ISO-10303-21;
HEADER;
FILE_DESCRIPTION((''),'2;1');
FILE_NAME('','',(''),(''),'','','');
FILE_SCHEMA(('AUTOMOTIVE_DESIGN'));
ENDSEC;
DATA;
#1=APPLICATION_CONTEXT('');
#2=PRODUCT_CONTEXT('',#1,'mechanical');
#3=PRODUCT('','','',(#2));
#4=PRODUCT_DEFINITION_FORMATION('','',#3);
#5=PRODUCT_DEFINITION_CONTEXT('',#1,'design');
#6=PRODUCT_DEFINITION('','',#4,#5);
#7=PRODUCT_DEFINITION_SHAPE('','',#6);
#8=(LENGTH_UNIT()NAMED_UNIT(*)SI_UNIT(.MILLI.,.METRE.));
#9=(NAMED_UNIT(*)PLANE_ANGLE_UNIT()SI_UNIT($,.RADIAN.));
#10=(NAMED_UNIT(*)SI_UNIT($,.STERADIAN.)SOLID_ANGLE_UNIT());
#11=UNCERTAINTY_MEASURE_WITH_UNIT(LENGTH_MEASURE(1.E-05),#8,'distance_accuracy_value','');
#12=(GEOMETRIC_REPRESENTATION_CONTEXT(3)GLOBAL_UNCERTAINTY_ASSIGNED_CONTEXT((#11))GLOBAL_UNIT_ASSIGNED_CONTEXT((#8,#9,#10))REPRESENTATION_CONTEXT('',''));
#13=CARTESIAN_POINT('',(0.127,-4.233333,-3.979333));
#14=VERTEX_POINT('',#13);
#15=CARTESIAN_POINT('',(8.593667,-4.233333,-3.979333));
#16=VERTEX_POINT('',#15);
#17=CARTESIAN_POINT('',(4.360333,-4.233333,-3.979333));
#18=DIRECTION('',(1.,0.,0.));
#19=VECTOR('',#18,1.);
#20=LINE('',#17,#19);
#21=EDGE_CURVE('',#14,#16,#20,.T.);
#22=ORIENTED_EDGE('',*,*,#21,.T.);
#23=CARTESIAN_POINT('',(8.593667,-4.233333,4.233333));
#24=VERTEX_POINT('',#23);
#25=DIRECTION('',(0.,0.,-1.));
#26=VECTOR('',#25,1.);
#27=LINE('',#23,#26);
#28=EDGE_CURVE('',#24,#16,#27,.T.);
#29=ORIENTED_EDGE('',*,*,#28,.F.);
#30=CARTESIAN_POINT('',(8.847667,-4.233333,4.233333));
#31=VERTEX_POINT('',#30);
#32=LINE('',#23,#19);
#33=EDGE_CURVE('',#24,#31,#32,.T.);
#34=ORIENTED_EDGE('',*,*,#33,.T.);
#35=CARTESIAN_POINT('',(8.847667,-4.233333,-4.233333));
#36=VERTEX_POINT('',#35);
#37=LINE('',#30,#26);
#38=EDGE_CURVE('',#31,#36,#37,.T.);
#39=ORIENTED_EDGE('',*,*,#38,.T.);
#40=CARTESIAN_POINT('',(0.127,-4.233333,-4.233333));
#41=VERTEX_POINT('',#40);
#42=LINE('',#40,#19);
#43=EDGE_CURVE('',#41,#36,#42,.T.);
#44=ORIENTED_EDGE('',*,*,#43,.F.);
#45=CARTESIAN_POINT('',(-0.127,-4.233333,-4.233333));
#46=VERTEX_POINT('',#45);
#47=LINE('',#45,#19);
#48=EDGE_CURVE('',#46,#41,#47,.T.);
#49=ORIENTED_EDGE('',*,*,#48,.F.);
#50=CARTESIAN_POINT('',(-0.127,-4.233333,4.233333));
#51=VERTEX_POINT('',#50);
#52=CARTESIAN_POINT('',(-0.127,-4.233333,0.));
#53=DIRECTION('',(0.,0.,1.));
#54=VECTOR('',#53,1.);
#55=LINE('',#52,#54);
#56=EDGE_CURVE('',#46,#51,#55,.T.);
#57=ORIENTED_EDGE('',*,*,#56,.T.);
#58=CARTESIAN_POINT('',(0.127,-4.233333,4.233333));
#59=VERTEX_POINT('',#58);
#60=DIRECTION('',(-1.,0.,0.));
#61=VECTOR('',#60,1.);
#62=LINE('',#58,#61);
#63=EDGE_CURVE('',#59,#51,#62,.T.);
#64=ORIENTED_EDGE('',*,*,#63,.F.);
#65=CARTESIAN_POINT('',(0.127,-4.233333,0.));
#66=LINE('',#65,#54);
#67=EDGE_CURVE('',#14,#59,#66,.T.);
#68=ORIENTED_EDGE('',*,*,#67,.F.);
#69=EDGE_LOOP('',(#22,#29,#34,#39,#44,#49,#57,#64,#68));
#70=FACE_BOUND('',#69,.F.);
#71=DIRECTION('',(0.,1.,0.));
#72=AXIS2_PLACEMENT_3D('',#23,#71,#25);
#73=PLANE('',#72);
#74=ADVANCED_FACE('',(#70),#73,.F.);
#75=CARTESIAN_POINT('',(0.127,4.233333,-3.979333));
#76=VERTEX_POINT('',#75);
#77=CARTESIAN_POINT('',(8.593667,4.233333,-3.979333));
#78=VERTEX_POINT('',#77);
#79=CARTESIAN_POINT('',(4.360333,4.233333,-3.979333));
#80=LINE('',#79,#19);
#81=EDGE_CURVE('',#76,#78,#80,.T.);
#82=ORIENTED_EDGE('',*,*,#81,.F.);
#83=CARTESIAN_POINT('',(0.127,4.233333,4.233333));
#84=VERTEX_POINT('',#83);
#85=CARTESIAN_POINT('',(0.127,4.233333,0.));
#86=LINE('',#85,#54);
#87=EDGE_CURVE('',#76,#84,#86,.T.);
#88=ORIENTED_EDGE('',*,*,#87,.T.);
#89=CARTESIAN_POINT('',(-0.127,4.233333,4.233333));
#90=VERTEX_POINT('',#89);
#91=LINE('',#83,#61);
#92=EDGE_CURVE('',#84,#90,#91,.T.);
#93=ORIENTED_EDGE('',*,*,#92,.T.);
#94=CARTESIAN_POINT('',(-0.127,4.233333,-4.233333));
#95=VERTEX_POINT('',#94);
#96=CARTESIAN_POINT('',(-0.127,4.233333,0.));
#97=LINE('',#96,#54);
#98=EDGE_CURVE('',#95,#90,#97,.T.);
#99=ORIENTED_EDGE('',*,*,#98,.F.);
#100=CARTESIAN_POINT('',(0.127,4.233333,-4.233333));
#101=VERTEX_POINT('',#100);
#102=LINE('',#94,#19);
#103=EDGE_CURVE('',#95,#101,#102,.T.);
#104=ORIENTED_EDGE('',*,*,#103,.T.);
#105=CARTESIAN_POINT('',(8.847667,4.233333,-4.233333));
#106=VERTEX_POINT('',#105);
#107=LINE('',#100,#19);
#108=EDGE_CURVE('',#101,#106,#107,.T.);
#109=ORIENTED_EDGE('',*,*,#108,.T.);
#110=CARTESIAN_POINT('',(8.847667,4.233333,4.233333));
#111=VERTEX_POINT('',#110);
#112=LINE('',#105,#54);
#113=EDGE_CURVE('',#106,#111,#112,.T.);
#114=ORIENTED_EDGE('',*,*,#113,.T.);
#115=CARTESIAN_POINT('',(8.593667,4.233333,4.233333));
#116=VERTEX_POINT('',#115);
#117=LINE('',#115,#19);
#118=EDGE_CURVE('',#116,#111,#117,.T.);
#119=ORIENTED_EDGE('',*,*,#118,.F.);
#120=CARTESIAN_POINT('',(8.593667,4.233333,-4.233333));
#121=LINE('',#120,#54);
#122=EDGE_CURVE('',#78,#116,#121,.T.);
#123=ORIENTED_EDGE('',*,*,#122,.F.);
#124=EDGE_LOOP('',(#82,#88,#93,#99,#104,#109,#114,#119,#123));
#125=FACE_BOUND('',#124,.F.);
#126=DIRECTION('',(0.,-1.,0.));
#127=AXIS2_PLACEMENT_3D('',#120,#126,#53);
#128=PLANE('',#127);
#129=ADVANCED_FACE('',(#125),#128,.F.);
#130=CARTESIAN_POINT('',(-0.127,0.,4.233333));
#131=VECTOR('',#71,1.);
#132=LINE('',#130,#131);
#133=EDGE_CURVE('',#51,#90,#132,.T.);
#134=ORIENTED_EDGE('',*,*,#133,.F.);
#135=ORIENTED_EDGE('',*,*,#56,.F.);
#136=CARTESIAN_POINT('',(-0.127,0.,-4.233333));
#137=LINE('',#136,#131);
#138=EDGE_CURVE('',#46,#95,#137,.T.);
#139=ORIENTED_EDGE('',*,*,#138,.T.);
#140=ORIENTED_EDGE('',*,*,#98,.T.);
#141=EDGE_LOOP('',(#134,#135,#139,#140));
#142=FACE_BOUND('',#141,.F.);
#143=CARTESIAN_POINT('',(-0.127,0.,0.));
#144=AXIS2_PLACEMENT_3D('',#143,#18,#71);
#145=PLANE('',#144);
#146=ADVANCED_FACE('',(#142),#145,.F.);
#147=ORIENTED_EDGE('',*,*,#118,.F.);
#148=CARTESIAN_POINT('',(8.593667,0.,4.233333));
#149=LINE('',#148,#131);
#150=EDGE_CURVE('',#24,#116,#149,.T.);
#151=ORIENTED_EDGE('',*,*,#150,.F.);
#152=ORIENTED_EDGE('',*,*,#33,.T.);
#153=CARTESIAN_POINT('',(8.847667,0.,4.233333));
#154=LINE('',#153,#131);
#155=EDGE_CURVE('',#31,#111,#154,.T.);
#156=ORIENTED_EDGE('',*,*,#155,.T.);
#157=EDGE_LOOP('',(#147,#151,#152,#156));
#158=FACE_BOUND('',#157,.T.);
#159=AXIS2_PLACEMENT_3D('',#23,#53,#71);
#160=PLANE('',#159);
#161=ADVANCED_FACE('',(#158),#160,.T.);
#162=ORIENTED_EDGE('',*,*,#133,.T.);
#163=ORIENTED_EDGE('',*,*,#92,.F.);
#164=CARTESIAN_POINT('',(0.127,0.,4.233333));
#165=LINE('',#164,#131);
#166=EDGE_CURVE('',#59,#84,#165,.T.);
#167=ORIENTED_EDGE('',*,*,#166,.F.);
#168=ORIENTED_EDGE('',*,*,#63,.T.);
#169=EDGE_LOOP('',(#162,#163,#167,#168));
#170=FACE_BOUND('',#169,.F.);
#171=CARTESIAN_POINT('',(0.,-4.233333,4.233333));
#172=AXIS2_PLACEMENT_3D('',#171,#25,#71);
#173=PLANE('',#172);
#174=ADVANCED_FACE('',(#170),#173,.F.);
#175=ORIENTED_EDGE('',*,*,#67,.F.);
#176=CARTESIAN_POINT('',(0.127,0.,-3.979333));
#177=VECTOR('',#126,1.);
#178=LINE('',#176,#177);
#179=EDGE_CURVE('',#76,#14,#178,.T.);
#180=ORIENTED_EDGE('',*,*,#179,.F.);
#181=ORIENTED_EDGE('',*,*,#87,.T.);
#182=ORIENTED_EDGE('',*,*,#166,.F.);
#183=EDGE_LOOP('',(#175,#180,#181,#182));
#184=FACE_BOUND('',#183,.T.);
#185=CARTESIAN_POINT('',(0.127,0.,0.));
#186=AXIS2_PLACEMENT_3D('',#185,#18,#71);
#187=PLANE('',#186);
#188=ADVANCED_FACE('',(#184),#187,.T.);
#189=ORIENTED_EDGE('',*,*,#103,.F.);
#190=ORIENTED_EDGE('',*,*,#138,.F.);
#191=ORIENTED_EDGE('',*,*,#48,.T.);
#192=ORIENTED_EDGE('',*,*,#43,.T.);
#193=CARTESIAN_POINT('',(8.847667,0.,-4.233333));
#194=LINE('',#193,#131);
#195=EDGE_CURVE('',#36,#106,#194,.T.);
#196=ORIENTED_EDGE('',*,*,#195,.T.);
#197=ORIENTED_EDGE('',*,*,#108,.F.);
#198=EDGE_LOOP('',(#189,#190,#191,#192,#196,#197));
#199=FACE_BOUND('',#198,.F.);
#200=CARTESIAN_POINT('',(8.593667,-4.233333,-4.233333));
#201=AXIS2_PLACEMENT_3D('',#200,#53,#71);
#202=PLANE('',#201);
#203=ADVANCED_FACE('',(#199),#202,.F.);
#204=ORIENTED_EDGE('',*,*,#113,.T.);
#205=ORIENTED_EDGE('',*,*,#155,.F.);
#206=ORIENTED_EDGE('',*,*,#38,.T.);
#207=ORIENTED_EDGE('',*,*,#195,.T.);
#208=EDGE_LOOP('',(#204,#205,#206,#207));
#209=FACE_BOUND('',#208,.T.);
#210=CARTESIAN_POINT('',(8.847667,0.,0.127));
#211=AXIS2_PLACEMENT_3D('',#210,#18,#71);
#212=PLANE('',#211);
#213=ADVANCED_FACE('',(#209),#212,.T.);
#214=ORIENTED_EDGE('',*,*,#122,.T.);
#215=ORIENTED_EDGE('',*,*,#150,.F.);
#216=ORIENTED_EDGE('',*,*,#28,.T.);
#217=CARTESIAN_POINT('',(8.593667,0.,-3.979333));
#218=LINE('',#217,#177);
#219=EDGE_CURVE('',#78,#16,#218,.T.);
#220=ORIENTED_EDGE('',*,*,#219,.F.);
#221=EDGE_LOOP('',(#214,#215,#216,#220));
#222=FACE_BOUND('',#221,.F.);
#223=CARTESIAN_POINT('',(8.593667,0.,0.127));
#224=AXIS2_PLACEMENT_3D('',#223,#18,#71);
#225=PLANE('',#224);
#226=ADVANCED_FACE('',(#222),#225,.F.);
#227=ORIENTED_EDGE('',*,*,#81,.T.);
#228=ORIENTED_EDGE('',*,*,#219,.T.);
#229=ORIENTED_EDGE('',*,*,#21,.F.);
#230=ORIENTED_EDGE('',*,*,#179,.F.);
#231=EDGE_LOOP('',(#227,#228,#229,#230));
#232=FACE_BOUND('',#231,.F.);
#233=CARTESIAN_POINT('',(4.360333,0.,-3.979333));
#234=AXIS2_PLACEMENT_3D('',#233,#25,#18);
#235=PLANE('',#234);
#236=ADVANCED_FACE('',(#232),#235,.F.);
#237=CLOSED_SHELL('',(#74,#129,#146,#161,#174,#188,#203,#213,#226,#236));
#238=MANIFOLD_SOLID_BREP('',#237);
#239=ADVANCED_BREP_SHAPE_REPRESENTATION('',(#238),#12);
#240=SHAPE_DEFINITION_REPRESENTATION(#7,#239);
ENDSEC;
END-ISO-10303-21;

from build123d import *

# Parameters (mm, degrees)
F0_W     = 8.4666666667
F0_H     = 8.4666666667
F1_DEPTH = 0.127
F2_W     = 8.4666666667
F2_H     = 8.4666666667
F3_DEPTH = 0.254
F4_W     = 8.4666666667
F4_H     = 8.2126666667
F4_H_2   = 0.254
F5_DEPTH = 0.254


with BuildPart() as f1:
    # F0 (on Right) → F1 (new body, symmetric)
    with BuildSketch(Plane.YZ):
        Rectangle(F0_W, F0_H)
    extrude(amount=F1_DEPTH, both=True)

    # F2 (on face) → F3 (join)
    with BuildSketch(Plane(origin=(0, 0, -4.2333333333), x_dir=(1, 0, 0), z_dir=(0, 0, -1))):
        with Locations((4.3603333333, 0)):
            Rectangle(F2_W, F2_H)
    extrude(amount=-F3_DEPTH)

    # F4 (on face) → F5 (join)
    with BuildSketch(Plane.YZ.offset(8.5936666667)):
        with Locations((0, 0.127)):
            Rectangle(F4_W, F4_H)
        with Locations((0, -4.1063333333)):
            Rectangle(F4_W, F4_H_2)
    extrude(amount=F5_DEPTH)


solid = f1.part
